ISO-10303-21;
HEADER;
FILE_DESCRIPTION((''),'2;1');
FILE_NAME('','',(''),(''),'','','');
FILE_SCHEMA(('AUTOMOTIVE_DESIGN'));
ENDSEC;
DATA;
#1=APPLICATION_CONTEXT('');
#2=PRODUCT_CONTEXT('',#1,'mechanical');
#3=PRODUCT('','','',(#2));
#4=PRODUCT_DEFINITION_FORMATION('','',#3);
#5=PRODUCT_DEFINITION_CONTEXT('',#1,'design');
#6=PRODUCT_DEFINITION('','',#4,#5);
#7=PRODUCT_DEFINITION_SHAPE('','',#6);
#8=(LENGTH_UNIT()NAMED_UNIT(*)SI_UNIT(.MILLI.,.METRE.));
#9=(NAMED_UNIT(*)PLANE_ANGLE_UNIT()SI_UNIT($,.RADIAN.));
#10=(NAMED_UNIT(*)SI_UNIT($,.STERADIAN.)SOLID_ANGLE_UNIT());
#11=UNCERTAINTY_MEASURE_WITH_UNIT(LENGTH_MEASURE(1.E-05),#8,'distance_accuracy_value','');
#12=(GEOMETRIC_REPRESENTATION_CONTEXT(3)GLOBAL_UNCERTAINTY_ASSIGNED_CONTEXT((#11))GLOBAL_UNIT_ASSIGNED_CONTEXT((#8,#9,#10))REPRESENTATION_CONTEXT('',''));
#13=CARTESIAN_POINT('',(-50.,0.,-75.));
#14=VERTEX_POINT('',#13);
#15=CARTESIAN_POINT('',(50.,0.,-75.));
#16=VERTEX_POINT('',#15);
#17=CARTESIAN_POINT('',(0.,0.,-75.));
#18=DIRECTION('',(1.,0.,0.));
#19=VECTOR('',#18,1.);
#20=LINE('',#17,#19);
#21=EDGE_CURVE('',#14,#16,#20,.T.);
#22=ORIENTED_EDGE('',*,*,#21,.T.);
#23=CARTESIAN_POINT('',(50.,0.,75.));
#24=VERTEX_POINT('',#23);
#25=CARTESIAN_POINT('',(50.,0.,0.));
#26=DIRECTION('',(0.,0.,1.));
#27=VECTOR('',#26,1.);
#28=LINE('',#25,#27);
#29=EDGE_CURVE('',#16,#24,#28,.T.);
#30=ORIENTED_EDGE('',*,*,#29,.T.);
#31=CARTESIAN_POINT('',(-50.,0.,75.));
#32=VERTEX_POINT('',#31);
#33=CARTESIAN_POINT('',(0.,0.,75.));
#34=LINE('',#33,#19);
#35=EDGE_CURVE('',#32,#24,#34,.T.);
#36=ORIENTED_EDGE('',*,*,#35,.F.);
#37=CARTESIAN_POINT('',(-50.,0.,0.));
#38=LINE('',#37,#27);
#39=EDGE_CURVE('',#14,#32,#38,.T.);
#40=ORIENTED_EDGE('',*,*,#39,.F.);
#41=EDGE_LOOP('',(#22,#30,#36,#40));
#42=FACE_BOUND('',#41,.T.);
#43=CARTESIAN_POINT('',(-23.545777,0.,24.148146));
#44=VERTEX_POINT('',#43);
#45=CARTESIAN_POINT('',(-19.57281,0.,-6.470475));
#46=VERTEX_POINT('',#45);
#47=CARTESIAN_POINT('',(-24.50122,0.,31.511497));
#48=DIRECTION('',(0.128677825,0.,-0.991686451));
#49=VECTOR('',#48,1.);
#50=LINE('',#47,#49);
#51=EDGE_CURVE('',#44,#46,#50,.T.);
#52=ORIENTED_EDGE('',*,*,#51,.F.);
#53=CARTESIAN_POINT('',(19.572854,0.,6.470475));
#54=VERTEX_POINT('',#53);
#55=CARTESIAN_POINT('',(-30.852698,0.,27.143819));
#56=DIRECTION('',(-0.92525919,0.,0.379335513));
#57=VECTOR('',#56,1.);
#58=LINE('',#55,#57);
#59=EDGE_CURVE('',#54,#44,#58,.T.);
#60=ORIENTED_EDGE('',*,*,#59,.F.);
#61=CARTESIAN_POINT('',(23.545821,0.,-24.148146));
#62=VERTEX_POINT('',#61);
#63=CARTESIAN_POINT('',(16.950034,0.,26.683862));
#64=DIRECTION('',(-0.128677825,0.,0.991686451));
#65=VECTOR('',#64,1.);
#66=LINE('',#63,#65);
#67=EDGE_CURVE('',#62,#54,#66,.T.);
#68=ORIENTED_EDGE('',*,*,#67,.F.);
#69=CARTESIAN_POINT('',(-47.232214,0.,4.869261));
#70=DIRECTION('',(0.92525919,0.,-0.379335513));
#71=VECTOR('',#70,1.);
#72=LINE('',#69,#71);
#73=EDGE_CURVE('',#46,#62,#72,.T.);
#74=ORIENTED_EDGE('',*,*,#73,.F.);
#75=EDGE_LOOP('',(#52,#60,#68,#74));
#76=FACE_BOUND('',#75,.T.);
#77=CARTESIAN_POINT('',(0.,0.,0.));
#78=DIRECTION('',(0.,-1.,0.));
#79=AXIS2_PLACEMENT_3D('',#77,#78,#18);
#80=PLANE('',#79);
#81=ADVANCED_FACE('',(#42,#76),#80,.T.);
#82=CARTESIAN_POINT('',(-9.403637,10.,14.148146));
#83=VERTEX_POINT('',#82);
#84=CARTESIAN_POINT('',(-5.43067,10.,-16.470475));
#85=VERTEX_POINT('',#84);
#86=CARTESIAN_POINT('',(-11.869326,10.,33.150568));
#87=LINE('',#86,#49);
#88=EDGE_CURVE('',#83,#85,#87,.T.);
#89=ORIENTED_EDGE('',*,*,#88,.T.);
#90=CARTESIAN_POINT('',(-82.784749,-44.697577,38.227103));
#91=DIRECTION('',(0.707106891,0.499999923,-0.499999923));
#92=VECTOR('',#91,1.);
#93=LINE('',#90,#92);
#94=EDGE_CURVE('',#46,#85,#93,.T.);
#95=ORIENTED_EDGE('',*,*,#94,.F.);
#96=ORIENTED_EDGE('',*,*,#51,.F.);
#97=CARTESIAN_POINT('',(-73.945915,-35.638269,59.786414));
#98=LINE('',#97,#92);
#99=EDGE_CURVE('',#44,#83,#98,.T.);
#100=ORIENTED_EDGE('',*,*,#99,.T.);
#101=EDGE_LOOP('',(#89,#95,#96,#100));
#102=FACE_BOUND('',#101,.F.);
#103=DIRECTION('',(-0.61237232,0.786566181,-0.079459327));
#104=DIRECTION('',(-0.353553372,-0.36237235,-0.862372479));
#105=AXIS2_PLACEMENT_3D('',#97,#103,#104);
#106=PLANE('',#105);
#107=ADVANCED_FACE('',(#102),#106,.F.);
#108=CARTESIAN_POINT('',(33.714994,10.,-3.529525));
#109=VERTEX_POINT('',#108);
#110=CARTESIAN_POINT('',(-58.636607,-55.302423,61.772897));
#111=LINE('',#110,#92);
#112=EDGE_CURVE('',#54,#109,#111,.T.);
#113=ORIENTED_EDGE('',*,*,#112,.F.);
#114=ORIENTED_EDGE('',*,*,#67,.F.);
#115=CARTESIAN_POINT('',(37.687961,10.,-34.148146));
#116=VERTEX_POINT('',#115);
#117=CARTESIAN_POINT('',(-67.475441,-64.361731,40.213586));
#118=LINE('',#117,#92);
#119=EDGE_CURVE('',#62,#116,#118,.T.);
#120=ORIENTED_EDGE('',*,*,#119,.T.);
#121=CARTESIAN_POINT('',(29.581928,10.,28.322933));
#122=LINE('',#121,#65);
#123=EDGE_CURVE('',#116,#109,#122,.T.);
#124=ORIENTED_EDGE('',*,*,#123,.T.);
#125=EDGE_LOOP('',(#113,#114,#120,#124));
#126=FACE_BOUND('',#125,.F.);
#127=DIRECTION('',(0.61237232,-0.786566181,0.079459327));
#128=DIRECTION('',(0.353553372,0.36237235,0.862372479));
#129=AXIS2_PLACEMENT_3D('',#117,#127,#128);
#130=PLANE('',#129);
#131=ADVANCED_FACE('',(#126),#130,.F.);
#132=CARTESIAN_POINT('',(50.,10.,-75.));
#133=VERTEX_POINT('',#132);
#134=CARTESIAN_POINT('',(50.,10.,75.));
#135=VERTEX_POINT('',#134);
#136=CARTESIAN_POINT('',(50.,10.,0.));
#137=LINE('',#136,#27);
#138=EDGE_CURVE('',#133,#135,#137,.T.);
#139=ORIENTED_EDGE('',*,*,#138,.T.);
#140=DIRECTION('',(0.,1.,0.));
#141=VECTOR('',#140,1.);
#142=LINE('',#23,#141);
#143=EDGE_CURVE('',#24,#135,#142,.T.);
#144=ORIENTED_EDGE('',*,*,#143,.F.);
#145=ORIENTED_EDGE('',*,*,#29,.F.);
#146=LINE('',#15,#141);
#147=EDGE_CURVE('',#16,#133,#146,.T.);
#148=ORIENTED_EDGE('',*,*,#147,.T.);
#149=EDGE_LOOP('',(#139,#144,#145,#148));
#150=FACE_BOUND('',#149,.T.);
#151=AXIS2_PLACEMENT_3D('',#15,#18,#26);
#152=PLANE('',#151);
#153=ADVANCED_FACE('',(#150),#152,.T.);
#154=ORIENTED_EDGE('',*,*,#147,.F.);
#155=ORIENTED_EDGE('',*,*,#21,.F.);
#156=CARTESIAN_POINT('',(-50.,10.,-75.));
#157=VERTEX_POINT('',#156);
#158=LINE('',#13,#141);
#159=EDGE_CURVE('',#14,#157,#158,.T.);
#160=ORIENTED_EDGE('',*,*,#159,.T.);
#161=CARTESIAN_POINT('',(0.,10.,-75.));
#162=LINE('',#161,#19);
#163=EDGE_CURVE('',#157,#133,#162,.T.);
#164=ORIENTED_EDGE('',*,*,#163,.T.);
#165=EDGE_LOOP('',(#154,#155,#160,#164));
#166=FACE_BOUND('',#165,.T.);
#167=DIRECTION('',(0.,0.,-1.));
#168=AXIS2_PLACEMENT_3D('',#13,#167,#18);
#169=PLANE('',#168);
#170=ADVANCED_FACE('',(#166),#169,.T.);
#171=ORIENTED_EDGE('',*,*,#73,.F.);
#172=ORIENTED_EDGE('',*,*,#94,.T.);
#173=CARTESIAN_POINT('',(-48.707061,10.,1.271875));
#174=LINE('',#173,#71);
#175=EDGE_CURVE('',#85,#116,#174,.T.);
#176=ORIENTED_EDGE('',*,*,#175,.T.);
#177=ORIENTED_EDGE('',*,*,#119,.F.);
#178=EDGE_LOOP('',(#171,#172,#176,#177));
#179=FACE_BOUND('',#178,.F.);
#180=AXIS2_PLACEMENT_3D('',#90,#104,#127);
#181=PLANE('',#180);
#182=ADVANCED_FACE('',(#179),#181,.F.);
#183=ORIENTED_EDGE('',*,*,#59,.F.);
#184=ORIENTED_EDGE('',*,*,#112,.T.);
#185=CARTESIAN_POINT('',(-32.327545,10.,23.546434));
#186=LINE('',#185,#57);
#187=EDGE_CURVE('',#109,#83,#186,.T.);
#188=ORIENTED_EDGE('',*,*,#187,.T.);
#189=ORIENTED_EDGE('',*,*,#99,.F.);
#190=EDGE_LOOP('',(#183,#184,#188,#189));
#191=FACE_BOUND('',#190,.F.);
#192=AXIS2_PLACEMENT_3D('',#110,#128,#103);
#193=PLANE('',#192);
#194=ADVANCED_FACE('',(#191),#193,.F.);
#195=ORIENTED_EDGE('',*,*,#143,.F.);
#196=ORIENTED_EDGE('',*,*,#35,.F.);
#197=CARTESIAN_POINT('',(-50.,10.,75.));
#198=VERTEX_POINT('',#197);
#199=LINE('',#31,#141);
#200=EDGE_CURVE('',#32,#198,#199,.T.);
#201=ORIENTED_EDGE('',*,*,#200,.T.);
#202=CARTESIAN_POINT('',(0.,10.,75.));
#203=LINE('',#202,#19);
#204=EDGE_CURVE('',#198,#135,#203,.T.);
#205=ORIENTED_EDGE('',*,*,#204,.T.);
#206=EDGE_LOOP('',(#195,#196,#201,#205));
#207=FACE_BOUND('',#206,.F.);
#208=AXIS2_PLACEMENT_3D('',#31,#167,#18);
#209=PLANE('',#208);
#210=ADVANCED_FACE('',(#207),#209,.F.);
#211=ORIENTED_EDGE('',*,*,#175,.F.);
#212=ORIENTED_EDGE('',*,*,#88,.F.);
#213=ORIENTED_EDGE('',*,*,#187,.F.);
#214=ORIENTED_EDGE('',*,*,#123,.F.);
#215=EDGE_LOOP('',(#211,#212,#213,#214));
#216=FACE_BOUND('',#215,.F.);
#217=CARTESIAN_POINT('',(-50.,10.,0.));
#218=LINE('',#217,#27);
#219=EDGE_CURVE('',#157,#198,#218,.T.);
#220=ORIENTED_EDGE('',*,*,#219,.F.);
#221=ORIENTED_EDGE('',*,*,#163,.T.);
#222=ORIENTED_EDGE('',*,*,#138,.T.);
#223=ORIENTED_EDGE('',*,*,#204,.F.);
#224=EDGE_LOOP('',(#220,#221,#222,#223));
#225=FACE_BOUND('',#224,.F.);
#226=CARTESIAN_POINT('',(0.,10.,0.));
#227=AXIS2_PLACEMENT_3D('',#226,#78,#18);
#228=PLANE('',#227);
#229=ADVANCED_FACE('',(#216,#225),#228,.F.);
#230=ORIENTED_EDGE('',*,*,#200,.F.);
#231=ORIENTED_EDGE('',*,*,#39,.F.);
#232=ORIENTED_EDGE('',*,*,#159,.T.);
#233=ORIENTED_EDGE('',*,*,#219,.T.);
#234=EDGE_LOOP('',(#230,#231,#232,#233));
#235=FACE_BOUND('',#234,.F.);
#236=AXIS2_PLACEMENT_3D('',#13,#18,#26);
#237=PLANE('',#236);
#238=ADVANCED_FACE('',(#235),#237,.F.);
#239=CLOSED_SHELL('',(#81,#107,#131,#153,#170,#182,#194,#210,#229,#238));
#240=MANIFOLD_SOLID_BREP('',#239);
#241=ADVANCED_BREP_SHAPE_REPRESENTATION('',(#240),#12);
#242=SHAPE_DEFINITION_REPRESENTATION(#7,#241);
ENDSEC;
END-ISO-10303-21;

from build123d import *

# Parameters (mm, degrees)
F0_W     = 100
F0_H     = 150
F1_DEPTH = 10
F7_DEPTH = 177.856339


with BuildPart() as f1:
    # F0 (on Front) → F1 (new body)
    with BuildSketch(Plane.XZ):
        Rectangle(F0_W, F0_H)
    extrude(amount=-F1_DEPTH)

    # F6 (on face) → F7 (cut, through all)
    with BuildSketch(Plane(origin=(-70.710678, -50, 50), x_dir=(0.408248, -0.866025, -0.288675), z_dir=(-0.707107, -0.5, 0.5))):
        Polygon((-16.583499, 6.122708), (-6.122708, -16.583499), (16.583499, -6.122708), (6.122708, 16.583499), align=None)
    extrude(amount=-F7_DEPTH, mode=Mode.SUBTRACT)


solid = f1.part
